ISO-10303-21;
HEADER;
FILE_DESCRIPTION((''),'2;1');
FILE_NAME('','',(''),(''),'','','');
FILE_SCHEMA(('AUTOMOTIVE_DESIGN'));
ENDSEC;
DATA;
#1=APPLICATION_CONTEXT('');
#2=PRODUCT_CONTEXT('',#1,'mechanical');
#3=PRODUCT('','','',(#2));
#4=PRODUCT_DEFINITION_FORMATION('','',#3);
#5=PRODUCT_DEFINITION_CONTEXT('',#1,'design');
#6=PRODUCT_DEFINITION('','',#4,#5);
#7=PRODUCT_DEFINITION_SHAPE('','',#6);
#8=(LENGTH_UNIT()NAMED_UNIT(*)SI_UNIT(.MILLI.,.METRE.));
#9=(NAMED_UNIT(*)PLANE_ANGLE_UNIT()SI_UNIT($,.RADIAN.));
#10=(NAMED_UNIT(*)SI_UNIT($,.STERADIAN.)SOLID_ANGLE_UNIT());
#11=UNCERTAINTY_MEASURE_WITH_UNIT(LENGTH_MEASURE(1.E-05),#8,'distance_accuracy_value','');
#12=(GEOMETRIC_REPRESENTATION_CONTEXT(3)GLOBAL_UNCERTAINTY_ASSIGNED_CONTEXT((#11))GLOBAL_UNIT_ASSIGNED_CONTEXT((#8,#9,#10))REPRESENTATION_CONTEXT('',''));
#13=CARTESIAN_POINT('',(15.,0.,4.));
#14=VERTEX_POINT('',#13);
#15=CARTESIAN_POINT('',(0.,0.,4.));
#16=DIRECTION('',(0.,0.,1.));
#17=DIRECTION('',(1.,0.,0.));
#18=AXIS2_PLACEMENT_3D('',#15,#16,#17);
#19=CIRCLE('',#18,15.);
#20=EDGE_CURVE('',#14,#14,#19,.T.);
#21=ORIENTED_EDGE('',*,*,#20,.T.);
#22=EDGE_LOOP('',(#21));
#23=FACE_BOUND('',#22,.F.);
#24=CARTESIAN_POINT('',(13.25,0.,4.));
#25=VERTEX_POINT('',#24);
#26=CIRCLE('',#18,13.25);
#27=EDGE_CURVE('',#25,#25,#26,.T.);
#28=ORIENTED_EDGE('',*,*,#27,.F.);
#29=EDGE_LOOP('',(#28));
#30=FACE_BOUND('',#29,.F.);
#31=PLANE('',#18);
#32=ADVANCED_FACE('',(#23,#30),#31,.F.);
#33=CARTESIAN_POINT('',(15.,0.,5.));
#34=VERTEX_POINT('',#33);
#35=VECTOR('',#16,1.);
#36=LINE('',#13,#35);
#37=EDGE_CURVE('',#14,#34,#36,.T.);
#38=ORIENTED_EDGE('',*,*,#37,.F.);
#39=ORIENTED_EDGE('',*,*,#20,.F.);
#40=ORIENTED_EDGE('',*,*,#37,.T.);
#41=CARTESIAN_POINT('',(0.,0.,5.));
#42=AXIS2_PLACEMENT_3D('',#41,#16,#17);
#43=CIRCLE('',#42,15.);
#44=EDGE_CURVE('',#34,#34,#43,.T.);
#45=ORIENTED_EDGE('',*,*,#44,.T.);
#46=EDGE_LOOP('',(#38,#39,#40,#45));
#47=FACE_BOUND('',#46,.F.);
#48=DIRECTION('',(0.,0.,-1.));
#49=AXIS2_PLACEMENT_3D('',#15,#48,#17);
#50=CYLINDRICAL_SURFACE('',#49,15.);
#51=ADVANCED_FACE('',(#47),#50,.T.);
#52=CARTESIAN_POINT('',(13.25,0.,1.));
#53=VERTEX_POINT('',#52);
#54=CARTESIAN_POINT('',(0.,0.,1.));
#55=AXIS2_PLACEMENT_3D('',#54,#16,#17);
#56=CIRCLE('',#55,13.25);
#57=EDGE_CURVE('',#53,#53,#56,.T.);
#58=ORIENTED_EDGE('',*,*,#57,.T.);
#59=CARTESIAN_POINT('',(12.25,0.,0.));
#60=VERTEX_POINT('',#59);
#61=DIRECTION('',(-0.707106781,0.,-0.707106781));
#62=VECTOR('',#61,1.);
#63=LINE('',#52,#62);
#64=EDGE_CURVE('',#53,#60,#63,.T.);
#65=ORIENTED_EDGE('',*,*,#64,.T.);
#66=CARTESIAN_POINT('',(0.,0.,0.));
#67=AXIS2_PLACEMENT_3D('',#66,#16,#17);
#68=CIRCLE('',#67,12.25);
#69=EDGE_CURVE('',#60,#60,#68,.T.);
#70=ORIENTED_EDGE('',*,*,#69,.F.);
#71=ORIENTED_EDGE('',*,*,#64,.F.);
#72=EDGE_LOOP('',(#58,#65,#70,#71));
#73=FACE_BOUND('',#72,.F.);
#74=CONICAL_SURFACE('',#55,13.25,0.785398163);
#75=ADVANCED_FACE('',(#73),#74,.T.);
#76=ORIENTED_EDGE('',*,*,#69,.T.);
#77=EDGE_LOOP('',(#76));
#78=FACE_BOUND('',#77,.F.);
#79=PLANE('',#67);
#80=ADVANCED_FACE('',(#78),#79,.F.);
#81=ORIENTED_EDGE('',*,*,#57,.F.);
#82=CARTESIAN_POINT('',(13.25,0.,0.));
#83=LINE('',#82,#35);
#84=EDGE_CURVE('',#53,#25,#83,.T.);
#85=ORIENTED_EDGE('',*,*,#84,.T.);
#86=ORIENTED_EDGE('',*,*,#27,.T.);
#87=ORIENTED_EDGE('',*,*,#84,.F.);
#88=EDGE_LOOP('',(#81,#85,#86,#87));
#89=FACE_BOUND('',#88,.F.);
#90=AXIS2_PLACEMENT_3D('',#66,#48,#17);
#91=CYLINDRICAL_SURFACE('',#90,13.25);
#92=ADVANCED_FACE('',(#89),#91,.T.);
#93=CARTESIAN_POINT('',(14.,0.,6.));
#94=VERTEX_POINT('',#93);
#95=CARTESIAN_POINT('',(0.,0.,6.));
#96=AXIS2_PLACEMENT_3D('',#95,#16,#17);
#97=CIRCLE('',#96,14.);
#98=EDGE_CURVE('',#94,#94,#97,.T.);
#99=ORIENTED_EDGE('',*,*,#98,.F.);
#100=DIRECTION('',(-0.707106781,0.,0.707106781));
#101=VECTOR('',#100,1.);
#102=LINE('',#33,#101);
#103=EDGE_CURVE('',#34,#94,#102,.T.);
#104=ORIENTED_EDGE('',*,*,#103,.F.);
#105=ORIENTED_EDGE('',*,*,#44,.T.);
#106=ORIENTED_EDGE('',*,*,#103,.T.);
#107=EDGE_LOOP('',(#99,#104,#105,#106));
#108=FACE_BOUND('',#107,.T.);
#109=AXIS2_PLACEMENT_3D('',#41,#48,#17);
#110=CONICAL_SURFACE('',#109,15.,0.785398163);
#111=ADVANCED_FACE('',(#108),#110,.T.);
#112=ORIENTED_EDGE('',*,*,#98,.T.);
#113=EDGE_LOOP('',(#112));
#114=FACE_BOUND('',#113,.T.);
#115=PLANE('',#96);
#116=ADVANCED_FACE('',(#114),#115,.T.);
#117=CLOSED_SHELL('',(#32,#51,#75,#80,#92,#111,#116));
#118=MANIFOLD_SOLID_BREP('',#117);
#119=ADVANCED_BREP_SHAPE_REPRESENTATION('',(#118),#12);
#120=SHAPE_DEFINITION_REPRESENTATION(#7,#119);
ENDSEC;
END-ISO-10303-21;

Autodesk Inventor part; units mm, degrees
ref_plane "YZ Plane" through (0, 0, 0) normal (1, 0, 0) x (0, 1, 0)
ref_plane "XZ Plane" through (0, 0, 0) normal (0, 1, 0) x (-1, 0, 0)
ref_plane "XY Plane" through (0, 0, 0) normal (0, 0, 1) x (1, 0, 0)
sketch "Sketch1" plane through (0, 0, 0) normal (0, 0, 1) x (1, 0, 0)
  circle A0 centre (0, 0) radius 13.25
  dimension "d0" = 26.5
extrude "Extrusion1" add sketch "Sketch1" along normal blind 4
sketch "Sketch2" plane through (0, 0, 4) normal (0, 0, 1) x (1, 0, 0)
  circle A0 centre (0, 0) radius 15
  dimension "d3" = 30
extrude "Extrusion2" add sketch "Sketch2" along normal blind 2
chamfer "Chamfer1" distance 1 angle 45 1 edges at (-15, 0, 6)
chamfer "Chamfer2" distance 1 angle 45 1 edges at (-13.25, 0, 0)
properties part number "Plug21mm_3DPrint"
